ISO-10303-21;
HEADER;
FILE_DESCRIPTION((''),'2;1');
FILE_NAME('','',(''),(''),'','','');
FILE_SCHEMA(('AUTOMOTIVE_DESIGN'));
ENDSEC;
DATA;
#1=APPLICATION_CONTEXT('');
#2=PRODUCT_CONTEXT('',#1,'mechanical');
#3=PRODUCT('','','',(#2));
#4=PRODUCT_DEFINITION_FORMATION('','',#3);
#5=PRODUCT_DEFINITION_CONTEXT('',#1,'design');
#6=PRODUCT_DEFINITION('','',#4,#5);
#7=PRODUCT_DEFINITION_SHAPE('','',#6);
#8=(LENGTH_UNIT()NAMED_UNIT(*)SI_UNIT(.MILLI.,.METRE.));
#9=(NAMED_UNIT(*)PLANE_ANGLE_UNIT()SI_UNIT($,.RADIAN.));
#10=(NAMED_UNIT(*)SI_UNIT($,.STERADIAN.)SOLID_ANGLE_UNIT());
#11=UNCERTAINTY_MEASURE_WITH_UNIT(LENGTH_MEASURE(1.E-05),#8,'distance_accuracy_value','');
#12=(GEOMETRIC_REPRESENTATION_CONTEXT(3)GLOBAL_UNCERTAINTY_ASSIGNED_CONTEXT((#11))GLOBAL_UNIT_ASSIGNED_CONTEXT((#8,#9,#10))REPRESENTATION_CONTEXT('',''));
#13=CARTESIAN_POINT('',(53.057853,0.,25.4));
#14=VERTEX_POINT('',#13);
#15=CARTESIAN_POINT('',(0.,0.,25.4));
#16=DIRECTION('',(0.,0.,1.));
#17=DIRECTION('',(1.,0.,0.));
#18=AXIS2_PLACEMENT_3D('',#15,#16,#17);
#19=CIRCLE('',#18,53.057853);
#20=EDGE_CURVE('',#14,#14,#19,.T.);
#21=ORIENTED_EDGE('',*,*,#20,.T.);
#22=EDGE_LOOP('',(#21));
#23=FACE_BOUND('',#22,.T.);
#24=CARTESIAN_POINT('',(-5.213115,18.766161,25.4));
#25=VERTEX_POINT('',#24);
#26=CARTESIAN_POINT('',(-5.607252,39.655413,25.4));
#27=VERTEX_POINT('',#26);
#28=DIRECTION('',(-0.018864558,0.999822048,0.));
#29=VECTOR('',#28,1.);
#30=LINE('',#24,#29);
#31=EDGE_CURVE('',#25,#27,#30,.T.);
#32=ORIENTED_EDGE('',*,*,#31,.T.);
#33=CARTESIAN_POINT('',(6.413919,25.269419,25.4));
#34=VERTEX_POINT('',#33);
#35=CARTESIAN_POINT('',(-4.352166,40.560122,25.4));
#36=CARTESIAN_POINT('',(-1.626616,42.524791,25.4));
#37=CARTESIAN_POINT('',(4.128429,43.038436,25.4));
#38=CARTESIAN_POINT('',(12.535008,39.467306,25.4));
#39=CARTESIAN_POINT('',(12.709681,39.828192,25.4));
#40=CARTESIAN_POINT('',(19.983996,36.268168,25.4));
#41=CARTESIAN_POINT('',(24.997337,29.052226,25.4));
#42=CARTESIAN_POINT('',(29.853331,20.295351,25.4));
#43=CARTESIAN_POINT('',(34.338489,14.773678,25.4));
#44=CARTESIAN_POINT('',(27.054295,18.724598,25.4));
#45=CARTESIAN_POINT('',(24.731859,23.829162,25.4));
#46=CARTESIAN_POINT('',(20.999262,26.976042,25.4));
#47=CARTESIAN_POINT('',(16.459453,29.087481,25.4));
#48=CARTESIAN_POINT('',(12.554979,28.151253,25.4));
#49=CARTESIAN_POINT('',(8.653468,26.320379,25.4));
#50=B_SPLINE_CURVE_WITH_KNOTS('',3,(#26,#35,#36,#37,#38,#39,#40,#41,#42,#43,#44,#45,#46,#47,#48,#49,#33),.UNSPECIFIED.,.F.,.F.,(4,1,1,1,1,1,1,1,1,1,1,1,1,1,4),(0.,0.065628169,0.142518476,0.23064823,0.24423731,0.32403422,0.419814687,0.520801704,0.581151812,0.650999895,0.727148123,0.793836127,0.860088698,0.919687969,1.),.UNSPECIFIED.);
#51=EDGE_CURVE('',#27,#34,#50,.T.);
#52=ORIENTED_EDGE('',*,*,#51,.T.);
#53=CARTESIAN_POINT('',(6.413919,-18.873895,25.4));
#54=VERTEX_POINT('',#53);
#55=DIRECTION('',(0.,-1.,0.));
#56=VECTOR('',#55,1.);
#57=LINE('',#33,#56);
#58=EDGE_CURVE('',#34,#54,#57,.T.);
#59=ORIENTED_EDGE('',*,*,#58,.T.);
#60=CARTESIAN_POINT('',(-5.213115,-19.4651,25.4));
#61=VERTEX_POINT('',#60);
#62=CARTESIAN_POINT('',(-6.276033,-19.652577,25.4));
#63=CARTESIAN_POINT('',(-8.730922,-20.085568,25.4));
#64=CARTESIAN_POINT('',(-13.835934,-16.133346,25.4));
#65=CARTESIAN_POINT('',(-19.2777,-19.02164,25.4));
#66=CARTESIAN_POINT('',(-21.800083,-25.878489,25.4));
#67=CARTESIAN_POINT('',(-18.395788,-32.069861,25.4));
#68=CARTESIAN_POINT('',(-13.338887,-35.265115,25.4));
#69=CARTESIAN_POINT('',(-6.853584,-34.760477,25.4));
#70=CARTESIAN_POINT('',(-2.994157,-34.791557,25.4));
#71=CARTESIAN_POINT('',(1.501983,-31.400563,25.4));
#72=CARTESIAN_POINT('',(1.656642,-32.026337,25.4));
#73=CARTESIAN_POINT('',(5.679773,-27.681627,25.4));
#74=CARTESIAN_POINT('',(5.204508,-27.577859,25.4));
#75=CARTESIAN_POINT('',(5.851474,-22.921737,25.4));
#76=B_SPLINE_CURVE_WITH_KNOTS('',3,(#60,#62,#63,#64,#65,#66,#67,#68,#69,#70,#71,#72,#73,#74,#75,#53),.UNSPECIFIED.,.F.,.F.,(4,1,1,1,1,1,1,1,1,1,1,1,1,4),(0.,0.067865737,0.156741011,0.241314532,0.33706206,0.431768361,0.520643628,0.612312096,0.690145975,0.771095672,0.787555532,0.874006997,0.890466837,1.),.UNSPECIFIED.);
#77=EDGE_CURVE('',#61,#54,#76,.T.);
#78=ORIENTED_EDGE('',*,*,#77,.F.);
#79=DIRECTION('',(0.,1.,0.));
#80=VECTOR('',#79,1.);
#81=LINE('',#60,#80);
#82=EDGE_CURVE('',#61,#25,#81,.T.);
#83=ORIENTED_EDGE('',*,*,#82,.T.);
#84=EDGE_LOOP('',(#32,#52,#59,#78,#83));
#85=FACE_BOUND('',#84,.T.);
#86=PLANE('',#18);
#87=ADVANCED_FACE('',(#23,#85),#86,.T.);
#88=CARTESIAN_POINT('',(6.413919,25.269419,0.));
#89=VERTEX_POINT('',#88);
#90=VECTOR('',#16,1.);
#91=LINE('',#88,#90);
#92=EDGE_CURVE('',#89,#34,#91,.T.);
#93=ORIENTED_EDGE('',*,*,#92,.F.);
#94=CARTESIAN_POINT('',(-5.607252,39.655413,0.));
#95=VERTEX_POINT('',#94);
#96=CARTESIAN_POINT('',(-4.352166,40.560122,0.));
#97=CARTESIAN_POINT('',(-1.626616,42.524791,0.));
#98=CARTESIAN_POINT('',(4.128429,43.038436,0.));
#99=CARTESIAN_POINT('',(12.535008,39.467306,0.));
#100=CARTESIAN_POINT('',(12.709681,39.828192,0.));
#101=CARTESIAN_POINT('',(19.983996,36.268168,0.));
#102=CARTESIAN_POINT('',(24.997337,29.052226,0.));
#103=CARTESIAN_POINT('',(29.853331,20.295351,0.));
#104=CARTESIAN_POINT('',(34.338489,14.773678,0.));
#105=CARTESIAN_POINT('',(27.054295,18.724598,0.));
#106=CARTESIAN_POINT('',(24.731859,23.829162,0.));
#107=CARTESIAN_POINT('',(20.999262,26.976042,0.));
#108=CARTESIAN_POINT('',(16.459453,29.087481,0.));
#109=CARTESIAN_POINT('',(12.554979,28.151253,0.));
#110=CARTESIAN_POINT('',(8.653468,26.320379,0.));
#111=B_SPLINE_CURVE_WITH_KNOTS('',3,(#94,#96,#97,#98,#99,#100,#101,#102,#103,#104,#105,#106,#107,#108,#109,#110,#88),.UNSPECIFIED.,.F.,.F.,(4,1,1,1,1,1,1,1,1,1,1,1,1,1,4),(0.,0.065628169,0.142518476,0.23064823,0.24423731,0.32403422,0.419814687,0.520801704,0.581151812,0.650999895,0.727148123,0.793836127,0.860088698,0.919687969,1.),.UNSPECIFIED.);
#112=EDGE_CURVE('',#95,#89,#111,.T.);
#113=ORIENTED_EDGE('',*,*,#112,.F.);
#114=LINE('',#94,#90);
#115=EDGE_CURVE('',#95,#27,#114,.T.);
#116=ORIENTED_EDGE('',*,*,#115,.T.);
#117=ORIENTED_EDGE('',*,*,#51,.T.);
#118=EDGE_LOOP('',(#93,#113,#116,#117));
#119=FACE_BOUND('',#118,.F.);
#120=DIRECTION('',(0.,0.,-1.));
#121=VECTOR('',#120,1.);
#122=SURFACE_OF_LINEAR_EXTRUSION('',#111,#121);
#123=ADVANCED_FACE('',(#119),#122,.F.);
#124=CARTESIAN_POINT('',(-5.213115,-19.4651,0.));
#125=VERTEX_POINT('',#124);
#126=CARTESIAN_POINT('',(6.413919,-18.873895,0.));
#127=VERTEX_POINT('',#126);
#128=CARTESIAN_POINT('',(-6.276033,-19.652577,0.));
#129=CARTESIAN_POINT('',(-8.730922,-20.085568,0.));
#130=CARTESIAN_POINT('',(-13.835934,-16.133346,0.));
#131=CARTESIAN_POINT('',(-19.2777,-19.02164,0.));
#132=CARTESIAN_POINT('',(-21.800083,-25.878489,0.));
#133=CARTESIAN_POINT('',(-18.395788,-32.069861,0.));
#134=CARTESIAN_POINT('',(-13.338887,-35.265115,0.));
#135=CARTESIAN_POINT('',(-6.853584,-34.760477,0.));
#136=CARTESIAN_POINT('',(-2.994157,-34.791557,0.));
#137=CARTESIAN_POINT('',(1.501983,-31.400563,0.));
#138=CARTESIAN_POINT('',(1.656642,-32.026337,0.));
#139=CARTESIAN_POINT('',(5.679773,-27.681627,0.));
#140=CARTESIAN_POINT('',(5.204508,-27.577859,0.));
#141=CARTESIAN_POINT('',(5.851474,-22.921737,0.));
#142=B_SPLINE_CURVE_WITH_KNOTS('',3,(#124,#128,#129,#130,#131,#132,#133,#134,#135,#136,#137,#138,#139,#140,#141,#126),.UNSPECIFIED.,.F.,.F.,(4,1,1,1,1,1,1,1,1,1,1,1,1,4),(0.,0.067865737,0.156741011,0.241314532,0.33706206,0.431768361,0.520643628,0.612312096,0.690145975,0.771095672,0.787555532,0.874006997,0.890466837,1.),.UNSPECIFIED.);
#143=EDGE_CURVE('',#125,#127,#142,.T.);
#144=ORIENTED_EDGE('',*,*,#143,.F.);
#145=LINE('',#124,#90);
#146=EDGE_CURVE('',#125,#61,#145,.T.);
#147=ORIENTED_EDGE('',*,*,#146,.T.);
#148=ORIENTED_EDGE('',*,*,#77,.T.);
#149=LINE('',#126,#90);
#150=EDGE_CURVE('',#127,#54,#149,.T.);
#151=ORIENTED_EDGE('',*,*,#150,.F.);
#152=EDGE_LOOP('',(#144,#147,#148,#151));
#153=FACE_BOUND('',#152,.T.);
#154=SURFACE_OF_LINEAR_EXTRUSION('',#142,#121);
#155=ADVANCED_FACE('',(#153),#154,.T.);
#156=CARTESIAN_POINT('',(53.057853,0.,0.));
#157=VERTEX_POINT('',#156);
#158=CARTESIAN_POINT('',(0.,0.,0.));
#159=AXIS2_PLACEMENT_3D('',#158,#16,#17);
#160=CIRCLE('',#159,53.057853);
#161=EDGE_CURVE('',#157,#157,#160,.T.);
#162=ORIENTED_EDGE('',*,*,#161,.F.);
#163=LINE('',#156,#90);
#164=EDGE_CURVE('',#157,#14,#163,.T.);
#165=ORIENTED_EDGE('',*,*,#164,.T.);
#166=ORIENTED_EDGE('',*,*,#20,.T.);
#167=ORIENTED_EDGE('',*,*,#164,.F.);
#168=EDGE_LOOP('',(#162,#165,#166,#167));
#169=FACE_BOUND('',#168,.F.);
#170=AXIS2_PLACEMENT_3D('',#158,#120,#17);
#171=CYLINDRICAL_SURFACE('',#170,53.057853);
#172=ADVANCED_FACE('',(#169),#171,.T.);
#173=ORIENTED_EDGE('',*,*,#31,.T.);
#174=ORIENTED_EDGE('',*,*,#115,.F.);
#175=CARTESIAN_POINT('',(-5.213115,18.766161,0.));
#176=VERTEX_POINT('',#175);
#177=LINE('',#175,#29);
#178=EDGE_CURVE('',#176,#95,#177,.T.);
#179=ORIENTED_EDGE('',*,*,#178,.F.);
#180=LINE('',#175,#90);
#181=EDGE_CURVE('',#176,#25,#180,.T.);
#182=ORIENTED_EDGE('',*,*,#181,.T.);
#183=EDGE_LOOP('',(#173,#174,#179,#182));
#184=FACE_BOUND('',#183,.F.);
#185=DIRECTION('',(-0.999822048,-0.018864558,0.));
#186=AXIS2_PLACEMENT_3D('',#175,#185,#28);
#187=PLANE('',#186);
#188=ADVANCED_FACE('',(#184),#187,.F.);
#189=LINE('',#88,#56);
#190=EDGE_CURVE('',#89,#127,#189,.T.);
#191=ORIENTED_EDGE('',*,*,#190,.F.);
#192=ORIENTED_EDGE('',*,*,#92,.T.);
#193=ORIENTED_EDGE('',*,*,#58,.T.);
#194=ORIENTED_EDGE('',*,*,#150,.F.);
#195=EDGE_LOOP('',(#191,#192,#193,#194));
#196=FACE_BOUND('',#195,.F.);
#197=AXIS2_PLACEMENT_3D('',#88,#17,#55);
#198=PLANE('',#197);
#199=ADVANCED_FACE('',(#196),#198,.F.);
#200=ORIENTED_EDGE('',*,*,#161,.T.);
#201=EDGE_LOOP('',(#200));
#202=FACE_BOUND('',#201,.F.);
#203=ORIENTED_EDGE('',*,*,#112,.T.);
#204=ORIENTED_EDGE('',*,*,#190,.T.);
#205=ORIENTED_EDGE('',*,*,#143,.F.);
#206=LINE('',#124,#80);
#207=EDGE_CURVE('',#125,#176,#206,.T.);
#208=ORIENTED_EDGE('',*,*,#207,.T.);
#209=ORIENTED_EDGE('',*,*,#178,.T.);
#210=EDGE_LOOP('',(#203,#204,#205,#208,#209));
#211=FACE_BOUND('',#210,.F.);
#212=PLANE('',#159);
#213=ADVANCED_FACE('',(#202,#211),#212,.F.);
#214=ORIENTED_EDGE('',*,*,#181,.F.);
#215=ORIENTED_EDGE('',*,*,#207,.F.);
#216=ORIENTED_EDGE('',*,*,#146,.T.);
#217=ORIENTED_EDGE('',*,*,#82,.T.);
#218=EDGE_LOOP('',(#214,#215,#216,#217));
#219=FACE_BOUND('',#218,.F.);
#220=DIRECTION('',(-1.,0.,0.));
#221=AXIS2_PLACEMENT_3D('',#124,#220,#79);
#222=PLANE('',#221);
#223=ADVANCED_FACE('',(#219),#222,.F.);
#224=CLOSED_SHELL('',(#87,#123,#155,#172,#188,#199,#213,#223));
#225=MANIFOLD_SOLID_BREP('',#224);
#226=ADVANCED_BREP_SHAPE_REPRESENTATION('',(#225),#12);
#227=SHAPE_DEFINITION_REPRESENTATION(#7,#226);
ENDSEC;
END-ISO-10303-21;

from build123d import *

# Parameters (mm, degrees)
F0_R     = 53.0578530838
F1_DEPTH = 25.4


with BuildPart() as f1:
    # F0 (on Top) → F1 (new body)
    with BuildSketch(Plane.XY):
        Circle(F0_R)
        with BuildLine():
            Line((-5.2131153643, -19.4651000202), (-5.2131153643, 18.7661610544))
            Line((-5.2131153643, 18.7661610544), (-5.6072520092, 39.6554134786))
            add(Edge.make_bspline(
                [(-5.6072520092, 39.6554134786), (-4.3521663629, 40.5601218019), (-1.6266157774, 42.5247911515), (4.1284290449, 43.038436165), (12.5350079862, 39.4673056477), (12.7096812836, 39.8281923795), (19.98399647, 36.2681684093), (24.9973368894, 29.0522259934), (29.8533312894, 20.2953506455), (34.3384894431, 14.7736776846), (27.054295063, 18.7245983212), (24.7318594343, 23.8291619017), (20.9992622558, 26.9760416509), (16.4594533344, 29.0874813019), (12.5549789136, 28.1512528215), (8.6534681622, 26.3203790267), (6.4139189199, 25.2694189548)],
                knots=[0, 0, 0, 0, 0.0656281689, 0.1425184765, 0.2306482305, 0.2442373102, 0.3240342204, 0.4198146873, 0.520801704, 0.5811518123, 0.6509998953, 0.7271481227, 0.7938361266, 0.8600886976, 0.9196879693, 1, 1, 1, 1], degree=3))
            Line((6.4139189199, 25.2694189548), (6.4139189199, -18.8738945872))
            add(Edge.make_bspline(
                [(-5.2131153643, -19.4651000202), (-6.2760331917, -19.6525766147), (-8.7309216755, -20.0855678779), (-13.835934089, -16.1333463454), (-19.2777003972, -19.0216400062), (-21.8000833254, -25.8784892305), (-18.3957883733, -32.0698609262), (-13.3388874934, -35.2651153731), (-6.8535838096, -34.7604766072), (-2.9941565364, -34.7915567357), (1.5019831579, -31.4005631172), (1.6566421354, -32.0263372134), (5.6797733899, -27.6816269013), (5.2045081026, -27.5778590642), (5.8514735912, -22.9217368016), (6.4139189199, -18.8738945872)],
                knots=[0, 0, 0, 0, 0.0678657366, 0.1567410113, 0.241314532, 0.3370620601, 0.4317683606, 0.5206436284, 0.6123120958, 0.6901459753, 0.7710956724, 0.7875555324, 0.8740069969, 0.8904668375, 1, 1, 1, 1], degree=3))
        make_face(mode=Mode.SUBTRACT)
    extrude(amount=F1_DEPTH)


solid = f1.part
